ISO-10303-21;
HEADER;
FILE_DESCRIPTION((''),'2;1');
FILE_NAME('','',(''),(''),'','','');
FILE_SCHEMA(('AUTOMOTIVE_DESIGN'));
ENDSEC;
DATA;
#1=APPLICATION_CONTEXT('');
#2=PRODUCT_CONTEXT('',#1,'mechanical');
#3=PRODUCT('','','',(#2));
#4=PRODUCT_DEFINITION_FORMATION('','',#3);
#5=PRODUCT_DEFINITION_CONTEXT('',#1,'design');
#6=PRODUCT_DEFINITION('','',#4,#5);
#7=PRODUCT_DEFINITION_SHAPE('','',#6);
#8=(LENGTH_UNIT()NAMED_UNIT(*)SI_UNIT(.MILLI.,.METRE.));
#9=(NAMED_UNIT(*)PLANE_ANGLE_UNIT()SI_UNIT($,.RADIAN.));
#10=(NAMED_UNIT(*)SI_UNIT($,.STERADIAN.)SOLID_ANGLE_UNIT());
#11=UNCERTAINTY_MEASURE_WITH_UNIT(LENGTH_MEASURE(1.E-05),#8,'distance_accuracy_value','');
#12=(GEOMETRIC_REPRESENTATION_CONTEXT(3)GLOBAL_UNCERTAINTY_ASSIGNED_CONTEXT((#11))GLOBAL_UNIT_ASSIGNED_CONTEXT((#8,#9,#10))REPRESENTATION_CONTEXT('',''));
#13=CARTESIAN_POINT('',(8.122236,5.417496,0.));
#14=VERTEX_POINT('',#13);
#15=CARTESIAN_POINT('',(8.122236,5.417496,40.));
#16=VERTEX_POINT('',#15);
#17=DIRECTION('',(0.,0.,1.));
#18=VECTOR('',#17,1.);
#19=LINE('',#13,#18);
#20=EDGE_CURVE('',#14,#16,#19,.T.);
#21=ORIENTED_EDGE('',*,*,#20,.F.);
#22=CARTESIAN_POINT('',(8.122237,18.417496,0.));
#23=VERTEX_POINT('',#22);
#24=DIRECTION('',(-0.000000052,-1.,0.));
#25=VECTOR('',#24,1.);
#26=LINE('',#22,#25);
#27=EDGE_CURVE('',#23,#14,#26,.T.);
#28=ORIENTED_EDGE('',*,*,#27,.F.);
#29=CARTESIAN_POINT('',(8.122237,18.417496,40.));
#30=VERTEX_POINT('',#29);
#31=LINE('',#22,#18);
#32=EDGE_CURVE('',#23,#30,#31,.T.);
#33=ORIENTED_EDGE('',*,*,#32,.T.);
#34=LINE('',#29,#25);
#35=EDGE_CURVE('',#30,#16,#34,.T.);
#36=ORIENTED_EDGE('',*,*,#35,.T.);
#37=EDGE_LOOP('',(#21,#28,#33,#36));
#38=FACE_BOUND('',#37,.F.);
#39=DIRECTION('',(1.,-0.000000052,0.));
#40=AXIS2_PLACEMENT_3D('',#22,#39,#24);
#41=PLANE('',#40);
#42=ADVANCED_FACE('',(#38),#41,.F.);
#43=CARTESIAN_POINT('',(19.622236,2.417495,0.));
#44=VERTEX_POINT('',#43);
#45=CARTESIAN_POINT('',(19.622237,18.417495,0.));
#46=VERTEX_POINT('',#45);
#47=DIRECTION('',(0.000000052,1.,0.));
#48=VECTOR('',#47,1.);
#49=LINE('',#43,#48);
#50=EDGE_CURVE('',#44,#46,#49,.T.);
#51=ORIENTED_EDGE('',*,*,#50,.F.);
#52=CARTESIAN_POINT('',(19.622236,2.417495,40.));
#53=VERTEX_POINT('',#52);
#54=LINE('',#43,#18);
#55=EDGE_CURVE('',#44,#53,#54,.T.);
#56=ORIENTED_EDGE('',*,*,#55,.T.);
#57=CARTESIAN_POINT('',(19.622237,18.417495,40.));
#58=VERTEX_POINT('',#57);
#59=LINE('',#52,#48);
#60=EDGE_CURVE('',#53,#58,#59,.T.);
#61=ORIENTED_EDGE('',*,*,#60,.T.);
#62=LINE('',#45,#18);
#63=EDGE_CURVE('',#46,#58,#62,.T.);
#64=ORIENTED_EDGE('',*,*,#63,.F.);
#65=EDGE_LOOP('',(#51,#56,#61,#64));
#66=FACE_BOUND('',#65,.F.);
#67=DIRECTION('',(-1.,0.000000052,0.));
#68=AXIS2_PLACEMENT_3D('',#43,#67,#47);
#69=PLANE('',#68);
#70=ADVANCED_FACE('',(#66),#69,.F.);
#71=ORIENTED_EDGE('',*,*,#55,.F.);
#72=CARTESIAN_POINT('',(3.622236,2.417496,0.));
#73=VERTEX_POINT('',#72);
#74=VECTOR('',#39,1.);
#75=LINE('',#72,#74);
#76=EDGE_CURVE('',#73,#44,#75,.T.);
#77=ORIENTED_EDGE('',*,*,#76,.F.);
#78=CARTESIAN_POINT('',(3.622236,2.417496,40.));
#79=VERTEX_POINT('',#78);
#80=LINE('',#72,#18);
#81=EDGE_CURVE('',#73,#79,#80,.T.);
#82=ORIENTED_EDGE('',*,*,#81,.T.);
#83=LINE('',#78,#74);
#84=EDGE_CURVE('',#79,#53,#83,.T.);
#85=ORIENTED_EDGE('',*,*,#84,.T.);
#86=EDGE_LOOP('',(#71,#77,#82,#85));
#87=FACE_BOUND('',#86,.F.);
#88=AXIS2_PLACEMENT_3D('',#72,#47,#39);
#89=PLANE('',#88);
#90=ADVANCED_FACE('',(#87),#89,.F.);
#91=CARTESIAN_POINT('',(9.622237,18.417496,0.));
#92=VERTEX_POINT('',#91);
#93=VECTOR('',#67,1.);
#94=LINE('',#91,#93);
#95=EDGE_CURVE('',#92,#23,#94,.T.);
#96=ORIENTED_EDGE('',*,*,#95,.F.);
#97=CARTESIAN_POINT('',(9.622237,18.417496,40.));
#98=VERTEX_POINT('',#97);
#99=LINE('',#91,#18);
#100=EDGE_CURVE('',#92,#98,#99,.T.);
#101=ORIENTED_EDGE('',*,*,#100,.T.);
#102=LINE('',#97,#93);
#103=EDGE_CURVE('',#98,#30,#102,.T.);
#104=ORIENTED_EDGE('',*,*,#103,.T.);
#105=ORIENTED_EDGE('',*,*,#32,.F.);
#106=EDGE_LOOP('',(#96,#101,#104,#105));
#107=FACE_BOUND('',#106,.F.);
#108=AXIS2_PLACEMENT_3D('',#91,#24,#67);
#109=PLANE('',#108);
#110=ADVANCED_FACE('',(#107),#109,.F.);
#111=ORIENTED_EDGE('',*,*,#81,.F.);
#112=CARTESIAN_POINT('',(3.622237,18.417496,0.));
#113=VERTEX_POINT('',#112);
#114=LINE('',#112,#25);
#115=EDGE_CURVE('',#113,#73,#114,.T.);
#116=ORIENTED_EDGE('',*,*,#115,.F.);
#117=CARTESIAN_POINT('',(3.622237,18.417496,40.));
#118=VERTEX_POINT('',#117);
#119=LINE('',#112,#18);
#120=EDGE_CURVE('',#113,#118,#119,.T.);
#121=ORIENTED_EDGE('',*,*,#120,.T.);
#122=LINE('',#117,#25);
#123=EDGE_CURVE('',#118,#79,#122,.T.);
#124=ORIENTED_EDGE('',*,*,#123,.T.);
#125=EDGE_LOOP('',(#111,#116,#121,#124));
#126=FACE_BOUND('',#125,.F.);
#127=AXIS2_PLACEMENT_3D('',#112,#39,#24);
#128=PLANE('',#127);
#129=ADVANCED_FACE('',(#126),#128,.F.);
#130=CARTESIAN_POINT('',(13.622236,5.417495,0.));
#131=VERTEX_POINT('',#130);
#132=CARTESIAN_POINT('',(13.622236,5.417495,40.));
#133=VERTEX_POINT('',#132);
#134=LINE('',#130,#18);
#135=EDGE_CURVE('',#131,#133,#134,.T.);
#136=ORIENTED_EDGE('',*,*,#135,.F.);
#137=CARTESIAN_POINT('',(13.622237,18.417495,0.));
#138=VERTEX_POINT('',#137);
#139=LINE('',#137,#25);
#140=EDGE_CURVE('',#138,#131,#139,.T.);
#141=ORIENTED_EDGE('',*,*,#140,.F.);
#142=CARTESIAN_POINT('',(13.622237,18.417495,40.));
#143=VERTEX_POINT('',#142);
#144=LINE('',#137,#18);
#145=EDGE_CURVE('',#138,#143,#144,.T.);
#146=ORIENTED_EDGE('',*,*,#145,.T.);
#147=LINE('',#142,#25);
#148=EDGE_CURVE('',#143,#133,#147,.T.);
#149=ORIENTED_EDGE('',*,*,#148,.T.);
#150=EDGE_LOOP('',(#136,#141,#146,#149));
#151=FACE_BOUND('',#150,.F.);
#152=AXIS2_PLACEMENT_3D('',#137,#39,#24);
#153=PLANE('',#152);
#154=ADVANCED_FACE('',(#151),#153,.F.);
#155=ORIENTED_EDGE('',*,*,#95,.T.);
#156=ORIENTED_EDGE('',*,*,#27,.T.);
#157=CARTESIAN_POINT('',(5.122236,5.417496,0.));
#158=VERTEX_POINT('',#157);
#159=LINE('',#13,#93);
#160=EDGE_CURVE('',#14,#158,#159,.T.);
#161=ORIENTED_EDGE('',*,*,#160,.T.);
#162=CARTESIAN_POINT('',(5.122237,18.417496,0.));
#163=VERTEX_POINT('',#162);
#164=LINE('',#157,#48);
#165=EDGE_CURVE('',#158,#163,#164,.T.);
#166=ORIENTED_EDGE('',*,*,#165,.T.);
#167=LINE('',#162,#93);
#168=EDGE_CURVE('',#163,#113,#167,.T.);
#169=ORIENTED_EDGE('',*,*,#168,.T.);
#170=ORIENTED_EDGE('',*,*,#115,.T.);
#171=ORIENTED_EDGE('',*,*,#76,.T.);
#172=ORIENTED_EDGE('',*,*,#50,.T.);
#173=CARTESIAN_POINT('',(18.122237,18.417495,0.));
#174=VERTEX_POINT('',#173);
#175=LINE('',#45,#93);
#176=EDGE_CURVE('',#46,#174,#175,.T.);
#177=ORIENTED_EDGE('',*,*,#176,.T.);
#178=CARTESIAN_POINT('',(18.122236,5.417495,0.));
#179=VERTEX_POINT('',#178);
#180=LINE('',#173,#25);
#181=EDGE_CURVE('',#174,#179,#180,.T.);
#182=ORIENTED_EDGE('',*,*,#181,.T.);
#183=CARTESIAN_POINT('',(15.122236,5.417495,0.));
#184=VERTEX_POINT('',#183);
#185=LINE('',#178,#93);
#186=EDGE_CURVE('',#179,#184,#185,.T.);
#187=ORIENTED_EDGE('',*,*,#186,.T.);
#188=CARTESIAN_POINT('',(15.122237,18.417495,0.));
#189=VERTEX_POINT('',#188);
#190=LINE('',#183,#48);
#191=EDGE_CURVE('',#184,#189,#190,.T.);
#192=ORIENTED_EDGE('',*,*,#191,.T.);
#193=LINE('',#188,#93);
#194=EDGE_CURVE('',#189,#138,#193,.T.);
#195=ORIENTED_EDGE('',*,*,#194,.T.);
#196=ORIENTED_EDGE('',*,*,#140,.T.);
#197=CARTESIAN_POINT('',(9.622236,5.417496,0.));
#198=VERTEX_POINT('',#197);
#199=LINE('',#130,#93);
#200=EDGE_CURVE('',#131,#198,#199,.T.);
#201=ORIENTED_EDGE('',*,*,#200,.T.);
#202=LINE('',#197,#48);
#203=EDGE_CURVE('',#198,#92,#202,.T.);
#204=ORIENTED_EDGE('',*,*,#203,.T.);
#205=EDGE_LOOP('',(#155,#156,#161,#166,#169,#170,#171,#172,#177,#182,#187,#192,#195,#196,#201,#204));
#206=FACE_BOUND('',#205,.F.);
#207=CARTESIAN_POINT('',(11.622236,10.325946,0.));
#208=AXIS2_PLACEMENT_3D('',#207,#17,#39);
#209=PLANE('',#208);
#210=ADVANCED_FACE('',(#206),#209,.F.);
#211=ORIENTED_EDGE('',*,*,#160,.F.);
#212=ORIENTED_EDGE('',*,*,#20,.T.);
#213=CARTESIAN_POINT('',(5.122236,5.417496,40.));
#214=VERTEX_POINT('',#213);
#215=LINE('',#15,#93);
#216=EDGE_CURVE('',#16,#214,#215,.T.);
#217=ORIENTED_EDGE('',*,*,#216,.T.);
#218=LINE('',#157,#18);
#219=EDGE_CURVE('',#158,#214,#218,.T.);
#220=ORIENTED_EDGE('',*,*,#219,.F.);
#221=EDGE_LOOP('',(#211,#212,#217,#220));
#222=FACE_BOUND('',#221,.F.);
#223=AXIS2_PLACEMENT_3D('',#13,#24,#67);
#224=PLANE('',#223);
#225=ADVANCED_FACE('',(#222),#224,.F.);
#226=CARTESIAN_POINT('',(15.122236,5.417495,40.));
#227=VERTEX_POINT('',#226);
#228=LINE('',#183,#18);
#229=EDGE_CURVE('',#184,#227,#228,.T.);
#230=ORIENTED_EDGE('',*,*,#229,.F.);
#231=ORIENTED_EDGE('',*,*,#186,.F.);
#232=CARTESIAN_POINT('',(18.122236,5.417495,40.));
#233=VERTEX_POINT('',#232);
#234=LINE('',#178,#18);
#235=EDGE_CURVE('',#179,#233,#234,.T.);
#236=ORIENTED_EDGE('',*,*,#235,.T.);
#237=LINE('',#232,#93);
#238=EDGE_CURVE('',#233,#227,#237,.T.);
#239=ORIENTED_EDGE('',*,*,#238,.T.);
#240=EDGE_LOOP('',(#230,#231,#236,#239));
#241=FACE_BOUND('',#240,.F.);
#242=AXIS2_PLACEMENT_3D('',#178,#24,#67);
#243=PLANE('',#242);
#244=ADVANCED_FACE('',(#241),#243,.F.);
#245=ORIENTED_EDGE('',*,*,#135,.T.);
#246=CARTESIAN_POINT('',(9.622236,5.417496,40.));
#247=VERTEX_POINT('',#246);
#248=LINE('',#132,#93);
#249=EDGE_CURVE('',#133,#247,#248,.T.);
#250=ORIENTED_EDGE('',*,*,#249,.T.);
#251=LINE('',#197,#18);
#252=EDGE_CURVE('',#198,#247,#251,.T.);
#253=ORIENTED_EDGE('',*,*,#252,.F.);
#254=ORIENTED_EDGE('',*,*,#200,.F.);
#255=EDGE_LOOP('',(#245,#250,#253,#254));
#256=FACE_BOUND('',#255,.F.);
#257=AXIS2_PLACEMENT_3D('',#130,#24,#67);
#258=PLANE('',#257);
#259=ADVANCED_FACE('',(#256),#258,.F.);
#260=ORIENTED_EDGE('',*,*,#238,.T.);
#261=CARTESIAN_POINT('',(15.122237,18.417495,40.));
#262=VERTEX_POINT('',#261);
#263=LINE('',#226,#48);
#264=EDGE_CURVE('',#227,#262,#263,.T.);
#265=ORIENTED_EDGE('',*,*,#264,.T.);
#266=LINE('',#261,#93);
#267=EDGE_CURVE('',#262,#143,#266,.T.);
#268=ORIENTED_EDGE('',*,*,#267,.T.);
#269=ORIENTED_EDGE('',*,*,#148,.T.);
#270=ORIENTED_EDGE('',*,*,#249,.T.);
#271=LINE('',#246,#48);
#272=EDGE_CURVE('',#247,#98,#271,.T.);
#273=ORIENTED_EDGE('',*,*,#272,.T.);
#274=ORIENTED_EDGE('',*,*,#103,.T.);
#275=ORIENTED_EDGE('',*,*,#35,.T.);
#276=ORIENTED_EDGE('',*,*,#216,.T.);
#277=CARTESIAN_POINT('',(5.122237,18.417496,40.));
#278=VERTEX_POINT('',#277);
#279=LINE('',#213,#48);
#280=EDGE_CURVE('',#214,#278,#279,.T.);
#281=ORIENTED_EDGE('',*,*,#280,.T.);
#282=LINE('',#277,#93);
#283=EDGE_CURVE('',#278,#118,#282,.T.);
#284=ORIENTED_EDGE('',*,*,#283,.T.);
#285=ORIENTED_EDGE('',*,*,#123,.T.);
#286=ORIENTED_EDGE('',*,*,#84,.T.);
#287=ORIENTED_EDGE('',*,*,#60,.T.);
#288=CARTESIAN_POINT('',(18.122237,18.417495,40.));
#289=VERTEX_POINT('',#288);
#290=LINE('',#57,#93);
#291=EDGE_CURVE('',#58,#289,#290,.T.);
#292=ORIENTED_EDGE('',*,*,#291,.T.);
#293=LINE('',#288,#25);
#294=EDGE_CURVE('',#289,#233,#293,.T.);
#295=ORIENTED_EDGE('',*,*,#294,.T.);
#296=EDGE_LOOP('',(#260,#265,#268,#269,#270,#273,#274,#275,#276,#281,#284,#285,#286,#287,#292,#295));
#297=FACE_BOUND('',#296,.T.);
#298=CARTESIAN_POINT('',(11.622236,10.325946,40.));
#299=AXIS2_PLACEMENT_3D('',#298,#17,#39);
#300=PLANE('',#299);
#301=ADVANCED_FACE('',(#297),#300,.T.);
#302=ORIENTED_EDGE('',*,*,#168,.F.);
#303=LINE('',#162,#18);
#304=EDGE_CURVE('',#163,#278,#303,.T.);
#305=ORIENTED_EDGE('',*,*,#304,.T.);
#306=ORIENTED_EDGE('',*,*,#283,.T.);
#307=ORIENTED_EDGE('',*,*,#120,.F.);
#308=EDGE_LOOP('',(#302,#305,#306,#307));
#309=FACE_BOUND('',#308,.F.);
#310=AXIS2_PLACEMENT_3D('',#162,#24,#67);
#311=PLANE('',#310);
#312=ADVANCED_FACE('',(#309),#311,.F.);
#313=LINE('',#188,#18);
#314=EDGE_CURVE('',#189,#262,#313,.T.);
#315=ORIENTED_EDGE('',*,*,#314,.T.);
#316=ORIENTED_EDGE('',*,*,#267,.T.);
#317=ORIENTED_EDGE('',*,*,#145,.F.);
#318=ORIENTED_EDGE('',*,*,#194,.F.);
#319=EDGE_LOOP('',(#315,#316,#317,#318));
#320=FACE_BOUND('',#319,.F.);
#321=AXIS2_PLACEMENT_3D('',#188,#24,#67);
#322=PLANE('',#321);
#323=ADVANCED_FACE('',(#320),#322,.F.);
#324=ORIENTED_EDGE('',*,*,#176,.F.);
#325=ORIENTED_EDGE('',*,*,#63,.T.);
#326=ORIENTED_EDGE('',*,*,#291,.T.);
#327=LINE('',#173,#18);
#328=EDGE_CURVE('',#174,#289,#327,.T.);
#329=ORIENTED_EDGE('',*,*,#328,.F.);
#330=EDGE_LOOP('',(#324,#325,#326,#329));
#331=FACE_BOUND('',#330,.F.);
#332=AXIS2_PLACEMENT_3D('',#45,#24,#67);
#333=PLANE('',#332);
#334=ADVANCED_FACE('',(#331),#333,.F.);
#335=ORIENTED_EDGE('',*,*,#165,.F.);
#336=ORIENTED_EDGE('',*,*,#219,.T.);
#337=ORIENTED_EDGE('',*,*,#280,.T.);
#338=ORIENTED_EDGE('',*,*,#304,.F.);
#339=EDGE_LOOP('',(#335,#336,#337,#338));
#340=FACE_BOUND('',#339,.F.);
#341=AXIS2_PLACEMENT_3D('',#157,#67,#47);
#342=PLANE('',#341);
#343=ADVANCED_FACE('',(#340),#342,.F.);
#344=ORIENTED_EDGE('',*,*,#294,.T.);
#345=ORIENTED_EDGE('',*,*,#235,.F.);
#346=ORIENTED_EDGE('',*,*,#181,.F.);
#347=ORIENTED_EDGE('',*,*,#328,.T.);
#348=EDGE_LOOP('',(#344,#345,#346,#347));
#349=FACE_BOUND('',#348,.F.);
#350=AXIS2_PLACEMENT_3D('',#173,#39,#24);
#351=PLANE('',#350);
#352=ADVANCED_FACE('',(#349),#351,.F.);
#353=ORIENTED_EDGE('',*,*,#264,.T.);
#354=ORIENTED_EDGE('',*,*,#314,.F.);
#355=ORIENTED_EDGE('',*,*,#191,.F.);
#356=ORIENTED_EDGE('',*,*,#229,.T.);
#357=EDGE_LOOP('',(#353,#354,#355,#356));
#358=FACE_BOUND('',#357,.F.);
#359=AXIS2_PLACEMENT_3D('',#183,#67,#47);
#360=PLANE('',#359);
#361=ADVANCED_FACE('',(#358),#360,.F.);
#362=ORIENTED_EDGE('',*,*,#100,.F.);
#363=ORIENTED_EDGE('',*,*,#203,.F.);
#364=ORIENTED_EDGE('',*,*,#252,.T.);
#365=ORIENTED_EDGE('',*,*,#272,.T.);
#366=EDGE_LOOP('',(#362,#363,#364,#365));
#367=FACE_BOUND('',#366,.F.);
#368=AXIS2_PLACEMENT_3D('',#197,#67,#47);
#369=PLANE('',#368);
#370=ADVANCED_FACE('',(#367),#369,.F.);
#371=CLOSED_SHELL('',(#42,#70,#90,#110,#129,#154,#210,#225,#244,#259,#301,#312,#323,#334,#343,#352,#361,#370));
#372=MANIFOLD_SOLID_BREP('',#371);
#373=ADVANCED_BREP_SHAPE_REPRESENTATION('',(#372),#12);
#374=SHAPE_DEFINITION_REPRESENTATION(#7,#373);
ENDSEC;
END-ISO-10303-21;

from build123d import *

# Parameters (mm, degrees)
EXTRUDE_DEPTH                     = 40
EXTRUDE_ONTO_WIRE_PLACEMENT_ANGLE = -3e-06


with BuildPart() as part:
    # Wire as drawn → Extrude (new)
    with BuildSketch(Plane.XY):
        Polygon((0, 0), (16, 0), (16, 16), (14.5, 16), (14.5, 3), (11.5, 3), (11.5, 16), (10, 16), (10, 3), (6, 3), (6, 16), (4.5, 16), (4.5, 3), (1.5, 3), (1.5, 16), (0, 16), align=None)
    extrude(amount=EXTRUDE_DEPTH)


with BuildPart() as part_1:
    # Extrude onto Wire placement: moved
    add(part.part.moved(Location((3.622236, 2.417496, 0))).rotate(Axis((3.622236, 2.417496, 0), (0, 0, 1)), EXTRUDE_ONTO_WIRE_PLACEMENT_ANGLE))


solid = part_1.part
